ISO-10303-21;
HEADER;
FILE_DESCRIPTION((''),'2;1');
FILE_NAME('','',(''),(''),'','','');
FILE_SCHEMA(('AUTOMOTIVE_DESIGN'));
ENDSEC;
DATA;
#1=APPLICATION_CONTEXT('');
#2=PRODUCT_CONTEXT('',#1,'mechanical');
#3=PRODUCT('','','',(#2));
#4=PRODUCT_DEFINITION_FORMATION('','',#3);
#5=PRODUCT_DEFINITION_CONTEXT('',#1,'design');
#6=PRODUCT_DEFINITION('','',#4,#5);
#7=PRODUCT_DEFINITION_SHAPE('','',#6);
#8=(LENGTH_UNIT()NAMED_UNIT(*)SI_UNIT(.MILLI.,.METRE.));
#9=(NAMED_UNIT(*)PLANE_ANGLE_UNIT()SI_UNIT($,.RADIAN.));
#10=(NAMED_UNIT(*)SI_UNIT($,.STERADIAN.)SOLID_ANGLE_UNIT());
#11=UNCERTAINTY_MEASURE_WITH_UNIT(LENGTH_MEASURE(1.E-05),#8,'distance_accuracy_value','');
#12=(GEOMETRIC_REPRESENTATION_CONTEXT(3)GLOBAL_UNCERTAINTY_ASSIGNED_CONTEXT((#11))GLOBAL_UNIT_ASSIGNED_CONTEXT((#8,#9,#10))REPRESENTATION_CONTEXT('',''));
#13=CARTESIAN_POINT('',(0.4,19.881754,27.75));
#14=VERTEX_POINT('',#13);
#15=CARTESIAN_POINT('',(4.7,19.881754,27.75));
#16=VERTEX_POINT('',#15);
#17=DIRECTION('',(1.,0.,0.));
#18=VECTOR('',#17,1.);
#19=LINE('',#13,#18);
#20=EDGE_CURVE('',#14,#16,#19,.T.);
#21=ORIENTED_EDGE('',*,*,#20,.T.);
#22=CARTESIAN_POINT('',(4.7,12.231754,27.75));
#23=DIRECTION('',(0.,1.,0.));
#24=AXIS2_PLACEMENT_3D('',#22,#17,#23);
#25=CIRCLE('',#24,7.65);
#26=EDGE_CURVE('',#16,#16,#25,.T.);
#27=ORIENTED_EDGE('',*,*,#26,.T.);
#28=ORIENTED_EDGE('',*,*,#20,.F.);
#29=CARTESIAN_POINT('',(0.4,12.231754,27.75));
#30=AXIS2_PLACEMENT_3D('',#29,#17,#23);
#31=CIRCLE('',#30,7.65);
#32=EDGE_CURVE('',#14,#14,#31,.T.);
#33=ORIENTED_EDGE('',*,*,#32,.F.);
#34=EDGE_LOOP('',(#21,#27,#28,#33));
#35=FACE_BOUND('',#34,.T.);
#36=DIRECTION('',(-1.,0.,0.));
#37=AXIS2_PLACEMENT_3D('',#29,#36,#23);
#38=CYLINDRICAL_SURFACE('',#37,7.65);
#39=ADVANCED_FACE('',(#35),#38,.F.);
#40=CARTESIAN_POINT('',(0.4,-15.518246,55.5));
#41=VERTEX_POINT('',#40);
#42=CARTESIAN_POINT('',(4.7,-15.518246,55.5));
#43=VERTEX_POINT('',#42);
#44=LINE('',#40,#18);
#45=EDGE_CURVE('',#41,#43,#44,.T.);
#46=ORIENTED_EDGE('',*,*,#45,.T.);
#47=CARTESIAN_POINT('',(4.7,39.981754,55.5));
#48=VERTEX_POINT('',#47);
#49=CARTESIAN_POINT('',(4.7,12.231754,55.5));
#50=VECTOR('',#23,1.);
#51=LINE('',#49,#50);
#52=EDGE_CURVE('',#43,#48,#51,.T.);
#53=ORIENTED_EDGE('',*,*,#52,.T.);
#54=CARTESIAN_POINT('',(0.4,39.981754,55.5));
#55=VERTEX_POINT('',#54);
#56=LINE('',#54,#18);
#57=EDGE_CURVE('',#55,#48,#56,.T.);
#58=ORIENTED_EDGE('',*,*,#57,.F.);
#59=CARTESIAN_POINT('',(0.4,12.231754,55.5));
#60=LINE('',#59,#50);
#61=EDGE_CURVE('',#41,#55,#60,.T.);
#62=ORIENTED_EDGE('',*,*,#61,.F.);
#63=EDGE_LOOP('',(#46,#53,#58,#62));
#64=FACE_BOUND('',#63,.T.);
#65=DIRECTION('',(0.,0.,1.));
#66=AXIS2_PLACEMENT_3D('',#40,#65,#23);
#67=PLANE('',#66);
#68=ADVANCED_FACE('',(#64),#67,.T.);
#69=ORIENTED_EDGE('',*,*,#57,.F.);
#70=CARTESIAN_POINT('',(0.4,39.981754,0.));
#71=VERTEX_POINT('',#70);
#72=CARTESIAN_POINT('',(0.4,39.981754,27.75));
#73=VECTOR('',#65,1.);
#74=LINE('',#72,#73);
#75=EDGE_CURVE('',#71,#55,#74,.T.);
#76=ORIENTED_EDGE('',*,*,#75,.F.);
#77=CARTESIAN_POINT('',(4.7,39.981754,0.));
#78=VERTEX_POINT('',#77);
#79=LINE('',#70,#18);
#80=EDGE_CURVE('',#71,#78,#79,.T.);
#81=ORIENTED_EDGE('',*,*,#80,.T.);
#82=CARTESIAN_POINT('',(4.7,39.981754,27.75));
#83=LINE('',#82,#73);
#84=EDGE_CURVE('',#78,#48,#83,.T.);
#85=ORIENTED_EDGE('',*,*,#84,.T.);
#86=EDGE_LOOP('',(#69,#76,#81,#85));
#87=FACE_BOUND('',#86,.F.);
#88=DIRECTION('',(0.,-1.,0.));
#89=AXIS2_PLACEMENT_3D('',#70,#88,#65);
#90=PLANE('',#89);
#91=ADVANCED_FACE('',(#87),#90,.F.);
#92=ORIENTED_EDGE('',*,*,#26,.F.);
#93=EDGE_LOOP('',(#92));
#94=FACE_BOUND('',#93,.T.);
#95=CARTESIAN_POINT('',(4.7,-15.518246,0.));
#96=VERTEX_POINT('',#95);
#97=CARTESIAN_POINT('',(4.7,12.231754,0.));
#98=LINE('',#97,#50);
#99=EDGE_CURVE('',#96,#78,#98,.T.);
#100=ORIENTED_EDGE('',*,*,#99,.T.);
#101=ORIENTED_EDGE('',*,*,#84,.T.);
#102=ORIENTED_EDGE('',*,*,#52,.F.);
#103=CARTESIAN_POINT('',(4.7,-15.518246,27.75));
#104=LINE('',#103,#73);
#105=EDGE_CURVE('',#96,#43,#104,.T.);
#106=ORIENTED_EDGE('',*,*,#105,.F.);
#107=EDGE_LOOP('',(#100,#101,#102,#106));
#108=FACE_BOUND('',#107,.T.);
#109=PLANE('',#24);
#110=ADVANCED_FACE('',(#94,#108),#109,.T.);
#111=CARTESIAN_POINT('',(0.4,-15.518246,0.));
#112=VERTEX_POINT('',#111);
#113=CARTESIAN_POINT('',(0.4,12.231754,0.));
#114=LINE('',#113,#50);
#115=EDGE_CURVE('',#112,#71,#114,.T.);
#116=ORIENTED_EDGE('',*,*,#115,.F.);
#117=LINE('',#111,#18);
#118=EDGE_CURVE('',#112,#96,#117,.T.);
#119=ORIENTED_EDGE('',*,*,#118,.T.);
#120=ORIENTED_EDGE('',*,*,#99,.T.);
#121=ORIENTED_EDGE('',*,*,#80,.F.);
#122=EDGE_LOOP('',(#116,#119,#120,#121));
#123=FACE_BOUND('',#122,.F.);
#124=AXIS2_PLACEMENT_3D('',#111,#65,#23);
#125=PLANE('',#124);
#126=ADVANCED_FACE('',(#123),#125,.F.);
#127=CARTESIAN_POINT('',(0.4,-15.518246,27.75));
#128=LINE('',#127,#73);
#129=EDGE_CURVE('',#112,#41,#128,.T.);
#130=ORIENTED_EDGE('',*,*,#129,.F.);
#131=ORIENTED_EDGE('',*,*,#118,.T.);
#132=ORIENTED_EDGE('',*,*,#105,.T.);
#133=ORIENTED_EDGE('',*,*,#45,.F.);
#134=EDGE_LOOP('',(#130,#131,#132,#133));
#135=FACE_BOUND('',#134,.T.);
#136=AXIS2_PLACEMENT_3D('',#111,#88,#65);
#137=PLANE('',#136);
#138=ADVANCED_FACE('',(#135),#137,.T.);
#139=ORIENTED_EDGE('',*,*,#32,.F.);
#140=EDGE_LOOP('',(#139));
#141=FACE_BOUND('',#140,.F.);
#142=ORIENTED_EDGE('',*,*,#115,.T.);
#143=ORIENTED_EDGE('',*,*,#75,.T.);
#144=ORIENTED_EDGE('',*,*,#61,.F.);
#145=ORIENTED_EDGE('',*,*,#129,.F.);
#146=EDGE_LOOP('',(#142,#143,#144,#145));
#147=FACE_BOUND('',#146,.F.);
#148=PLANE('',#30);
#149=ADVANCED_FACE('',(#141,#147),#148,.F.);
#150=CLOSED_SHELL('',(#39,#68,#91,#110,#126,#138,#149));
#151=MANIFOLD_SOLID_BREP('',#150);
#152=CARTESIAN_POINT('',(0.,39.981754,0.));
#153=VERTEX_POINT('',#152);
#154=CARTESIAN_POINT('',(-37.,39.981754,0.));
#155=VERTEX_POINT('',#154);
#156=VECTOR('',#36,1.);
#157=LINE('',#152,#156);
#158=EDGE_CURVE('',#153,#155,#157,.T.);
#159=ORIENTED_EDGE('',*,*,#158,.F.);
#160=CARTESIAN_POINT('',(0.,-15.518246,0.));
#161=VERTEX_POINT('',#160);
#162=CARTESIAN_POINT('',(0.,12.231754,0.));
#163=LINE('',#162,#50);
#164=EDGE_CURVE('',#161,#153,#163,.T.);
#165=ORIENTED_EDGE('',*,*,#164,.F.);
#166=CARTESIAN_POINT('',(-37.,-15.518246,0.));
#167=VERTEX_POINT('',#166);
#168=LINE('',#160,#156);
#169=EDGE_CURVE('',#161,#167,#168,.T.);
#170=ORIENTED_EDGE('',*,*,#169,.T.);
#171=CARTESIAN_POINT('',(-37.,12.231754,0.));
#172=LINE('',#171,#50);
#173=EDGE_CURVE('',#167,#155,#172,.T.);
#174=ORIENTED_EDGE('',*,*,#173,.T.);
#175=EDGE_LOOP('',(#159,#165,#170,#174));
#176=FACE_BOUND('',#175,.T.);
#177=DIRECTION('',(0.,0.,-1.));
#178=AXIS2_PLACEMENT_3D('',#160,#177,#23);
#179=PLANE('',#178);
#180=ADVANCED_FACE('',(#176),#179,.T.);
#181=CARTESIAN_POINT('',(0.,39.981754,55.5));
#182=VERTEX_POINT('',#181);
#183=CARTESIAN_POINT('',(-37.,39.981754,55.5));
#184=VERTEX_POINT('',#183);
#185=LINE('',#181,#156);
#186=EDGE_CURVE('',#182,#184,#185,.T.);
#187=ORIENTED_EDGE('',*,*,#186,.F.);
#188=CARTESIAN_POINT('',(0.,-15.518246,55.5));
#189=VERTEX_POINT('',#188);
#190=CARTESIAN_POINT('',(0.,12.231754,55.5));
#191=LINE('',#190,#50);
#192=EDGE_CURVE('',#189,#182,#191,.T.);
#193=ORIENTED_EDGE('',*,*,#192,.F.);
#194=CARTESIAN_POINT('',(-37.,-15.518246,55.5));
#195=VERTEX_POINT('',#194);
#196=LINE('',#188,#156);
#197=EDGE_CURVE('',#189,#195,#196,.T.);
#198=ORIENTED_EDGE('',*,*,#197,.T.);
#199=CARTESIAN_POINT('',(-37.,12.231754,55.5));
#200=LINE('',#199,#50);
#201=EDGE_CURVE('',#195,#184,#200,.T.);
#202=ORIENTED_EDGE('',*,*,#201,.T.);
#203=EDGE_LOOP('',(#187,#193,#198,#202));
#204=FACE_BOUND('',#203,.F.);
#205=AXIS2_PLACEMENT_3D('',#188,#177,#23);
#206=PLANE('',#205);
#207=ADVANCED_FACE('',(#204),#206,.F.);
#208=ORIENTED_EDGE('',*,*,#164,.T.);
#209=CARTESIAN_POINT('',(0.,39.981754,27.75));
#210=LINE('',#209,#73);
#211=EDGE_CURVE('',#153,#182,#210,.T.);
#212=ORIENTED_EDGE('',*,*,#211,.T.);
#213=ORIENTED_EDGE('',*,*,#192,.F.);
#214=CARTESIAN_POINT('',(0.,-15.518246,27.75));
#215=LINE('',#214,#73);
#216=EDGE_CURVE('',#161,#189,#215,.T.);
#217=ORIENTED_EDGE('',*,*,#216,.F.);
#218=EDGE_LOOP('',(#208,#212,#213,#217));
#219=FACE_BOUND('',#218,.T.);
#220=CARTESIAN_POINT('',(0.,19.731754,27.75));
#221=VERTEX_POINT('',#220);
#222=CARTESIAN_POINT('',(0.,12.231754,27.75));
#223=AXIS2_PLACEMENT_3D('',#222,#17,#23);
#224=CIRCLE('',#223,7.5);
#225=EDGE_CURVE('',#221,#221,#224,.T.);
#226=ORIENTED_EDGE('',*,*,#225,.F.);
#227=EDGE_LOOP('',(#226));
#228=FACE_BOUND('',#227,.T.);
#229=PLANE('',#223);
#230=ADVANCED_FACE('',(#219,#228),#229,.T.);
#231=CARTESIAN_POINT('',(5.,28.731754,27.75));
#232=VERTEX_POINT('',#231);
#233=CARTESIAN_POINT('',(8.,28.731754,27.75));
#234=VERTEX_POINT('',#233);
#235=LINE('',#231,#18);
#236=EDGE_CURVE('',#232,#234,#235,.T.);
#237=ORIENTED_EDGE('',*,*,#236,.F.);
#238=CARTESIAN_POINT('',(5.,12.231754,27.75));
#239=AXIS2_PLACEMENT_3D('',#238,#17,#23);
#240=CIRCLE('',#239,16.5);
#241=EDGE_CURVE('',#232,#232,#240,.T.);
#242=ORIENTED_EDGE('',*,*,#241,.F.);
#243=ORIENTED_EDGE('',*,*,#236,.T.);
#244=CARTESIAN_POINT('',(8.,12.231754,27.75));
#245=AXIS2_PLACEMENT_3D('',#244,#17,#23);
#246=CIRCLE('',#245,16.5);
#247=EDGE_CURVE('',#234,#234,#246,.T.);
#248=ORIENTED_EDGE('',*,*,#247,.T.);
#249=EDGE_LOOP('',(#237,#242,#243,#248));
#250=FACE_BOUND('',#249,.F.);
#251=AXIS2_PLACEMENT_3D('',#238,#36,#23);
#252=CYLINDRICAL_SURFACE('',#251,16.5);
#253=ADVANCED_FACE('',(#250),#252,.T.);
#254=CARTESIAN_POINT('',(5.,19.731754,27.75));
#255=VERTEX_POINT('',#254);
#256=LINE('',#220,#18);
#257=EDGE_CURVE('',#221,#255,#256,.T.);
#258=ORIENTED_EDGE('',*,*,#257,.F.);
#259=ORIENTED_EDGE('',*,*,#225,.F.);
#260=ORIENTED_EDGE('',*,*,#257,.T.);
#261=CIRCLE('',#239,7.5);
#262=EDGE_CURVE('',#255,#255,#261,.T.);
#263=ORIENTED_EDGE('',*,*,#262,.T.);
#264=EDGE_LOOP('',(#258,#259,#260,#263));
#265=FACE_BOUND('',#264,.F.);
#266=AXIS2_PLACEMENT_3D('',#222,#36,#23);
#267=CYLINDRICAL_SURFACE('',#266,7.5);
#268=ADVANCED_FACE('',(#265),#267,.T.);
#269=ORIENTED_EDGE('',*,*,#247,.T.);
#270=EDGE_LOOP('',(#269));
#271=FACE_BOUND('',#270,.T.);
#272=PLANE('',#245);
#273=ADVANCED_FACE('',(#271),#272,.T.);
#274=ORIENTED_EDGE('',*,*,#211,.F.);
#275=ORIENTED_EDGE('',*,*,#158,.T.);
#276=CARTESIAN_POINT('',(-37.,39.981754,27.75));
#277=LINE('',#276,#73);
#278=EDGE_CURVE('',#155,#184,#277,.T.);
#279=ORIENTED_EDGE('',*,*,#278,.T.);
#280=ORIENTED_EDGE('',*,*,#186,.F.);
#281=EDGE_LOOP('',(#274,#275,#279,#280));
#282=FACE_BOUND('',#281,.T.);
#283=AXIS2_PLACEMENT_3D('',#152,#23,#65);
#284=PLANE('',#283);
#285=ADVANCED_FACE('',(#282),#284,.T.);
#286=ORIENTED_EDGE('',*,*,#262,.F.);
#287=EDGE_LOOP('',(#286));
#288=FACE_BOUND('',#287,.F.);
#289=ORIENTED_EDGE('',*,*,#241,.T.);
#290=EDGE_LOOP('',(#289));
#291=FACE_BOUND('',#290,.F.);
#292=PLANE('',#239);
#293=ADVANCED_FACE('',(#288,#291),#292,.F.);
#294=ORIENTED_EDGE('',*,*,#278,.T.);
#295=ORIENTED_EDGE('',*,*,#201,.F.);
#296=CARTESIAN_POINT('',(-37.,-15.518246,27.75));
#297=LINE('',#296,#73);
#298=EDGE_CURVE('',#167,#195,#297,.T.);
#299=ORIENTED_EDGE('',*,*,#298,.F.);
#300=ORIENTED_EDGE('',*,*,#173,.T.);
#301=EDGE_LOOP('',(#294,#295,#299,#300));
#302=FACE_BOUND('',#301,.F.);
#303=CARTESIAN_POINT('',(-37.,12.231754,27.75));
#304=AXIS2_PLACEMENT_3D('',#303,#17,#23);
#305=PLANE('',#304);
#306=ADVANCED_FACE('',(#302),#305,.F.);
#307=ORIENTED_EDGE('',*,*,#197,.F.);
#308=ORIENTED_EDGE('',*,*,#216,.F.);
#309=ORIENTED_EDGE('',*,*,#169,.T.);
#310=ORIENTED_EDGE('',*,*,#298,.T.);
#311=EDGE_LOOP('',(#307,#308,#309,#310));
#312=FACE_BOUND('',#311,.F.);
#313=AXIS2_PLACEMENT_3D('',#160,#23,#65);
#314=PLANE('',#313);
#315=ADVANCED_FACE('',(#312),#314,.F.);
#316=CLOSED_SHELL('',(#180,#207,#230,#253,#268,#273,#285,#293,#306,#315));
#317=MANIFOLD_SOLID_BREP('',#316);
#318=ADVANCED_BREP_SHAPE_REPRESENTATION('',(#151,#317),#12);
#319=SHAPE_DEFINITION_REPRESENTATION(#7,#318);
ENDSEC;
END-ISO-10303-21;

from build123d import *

# Parameters (mm, degrees)
F0_W     = 55.5
F0_H     = 55.5
F0_R     = 7.5
F1_DEPTH = 37
F2_DEPTH = 5
F3_R     = 16.5
F3_R_2   = 7.5
F4_DEPTH = 3
F6_W     = 55.5
F6_H     = 55.5
F6_R     = 7.65
F7_DEPTH = 4.3


with BuildPart() as f1:
    # F0 (on Right) → F1 (new body)
    with BuildSketch(Plane.YZ):
        with Locations((12.2317537814, 27.75)):
            Rectangle(F0_W, F0_H)
        with Locations((12.2317537814, 27.75)):
            Circle(F0_R, mode=Mode.SUBTRACT)
        with Locations((12.2317537814, 27.75)):
            Circle(F0_R)
    extrude(amount=-F1_DEPTH)

    # F0 (on Right) → F2 (join)
    with BuildSketch(Plane.YZ):
        with Locations((12.2317537814, 27.75)):
            Circle(F0_R)
    extrude(amount=F2_DEPTH)

    # F3 (on face) → F4 (join)
    with BuildSketch(Plane.YZ.offset(5)):
        with Locations((12.2317537814, 27.75)):
            Circle(F3_R)
        with Locations((12.2317537814, 27.75)):
            Circle(F3_R_2, mode=Mode.SUBTRACT)
        with Locations((12.2317537814, 27.75)):
            Circle(F3_R_2)
    extrude(amount=F4_DEPTH)


with BuildPart() as f7:
    # F6 (on offset) → F7 (new body)
    with BuildSketch(Plane.YZ.offset(0.4)):
        with Locations((12.2317537814, 27.75)):
            Rectangle(F6_W, F6_H)
        with Locations((12.2317537814, 27.75)):
            Circle(F6_R, mode=Mode.SUBTRACT)
    extrude(amount=F7_DEPTH)


solid = Compound([f1.part, f7.part])
